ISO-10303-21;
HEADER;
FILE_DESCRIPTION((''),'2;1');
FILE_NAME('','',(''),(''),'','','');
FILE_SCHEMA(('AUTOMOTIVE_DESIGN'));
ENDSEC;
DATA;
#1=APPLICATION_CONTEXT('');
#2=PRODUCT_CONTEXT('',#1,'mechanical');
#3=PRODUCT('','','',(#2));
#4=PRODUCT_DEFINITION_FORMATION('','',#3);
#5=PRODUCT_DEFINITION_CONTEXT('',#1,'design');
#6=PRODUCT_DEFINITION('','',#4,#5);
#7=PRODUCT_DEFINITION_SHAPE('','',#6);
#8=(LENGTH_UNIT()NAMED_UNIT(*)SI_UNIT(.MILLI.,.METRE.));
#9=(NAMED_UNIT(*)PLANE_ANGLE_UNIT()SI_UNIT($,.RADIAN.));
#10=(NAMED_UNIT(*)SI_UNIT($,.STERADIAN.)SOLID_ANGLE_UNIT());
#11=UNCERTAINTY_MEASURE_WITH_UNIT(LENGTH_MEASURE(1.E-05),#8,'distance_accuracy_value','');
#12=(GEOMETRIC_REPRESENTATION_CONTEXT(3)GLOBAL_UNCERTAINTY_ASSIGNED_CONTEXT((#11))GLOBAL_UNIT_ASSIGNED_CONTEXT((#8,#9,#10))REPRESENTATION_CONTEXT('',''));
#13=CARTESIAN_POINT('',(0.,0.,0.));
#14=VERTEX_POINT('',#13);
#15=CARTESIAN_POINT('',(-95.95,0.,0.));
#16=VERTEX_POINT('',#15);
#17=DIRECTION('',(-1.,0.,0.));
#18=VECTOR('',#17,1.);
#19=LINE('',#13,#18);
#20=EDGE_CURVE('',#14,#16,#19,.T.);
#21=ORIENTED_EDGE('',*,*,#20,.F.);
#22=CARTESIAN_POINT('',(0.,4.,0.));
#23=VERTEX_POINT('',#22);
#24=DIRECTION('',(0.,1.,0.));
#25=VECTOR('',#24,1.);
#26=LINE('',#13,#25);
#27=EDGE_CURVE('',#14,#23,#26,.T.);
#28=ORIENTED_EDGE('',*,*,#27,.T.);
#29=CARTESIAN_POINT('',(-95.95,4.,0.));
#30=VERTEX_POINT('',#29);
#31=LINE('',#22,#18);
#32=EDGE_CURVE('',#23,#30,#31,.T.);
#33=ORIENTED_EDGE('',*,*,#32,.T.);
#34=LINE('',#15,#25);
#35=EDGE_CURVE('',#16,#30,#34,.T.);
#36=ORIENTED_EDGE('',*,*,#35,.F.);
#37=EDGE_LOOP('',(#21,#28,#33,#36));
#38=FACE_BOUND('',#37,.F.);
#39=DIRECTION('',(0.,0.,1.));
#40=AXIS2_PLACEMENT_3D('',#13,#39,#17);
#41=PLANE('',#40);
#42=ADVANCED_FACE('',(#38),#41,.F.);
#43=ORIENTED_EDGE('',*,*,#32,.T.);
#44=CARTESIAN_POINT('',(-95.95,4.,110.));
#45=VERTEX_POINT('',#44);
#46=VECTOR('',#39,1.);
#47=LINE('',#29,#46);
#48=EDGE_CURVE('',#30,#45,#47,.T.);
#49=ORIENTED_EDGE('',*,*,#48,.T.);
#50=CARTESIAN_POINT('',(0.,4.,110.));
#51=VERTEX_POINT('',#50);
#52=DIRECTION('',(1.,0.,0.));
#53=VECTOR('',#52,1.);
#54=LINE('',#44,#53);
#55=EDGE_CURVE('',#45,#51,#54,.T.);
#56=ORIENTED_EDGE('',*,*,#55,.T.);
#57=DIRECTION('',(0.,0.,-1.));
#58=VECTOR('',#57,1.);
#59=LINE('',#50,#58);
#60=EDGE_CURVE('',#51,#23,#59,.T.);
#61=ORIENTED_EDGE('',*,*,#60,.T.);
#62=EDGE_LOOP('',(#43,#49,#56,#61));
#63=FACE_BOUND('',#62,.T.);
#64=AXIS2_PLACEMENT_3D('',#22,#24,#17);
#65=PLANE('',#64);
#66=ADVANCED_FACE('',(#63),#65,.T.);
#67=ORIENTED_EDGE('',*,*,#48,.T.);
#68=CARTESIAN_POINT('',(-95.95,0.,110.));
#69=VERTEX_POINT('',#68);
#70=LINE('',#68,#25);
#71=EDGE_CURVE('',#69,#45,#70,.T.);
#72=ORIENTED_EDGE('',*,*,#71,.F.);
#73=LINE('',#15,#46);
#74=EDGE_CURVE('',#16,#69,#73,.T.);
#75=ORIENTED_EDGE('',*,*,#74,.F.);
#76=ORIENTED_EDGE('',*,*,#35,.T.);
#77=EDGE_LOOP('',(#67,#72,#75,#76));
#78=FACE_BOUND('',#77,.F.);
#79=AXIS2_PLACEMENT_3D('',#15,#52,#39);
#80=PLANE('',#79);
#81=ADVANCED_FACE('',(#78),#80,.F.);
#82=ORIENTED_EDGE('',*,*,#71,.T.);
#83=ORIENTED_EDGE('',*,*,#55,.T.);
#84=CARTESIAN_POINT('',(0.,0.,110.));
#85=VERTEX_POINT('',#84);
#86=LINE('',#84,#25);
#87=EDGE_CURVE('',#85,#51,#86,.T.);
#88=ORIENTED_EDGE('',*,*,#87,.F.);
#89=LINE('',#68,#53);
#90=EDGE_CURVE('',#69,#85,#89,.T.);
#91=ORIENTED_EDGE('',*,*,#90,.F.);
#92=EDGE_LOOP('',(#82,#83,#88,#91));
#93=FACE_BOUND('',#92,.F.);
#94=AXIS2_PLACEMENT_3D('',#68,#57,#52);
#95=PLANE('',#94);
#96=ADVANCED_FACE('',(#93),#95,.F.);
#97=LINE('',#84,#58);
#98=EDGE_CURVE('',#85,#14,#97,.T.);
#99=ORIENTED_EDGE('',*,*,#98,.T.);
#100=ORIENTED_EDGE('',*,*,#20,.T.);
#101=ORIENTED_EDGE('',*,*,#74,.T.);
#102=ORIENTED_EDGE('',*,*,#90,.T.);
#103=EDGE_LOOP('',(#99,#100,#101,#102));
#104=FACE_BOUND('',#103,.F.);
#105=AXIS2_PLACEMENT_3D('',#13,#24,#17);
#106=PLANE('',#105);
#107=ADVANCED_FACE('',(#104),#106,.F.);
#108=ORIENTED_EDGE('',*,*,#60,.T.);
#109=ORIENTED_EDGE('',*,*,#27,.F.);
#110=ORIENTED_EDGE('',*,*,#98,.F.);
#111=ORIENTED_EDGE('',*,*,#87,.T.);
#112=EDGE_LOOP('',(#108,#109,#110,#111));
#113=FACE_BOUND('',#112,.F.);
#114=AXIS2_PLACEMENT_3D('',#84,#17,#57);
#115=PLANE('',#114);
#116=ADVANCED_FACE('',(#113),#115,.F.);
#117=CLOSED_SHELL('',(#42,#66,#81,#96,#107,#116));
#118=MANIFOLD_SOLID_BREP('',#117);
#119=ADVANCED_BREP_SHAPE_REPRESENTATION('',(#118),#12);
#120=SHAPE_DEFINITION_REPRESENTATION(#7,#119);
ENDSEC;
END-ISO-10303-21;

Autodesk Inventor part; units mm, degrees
ref_plane "YZ Plane" through (0, 0, 0) normal (1, 0, 0) x (0, 1, 0)
ref_plane "XZ Plane" through (0, 0, 0) normal (0, 1, 0) x (-1, 0, 0)
ref_plane "XY Plane" through (0, 0, 0) normal (0, 0, 1) x (1, 0, 0)
sketch "Sketch1" plane through (0, 0, 0) normal (0, 1, 0) x (-1, 0, 0)
  line L0 (0, 0) -> (95.95, 0)
  line L1 (95.95, 0) -> (95.95, 110)
  line L2 (95.95, 110) -> (0, 110)
  line L3 (0, 110) -> (0, 0)
  dimension "d0" = 95.95
  dimension "d1" = 110
extrude "Extrusion1" add sketch "Sketch1" along normal blind 4
properties part number "MiddleGlass"
